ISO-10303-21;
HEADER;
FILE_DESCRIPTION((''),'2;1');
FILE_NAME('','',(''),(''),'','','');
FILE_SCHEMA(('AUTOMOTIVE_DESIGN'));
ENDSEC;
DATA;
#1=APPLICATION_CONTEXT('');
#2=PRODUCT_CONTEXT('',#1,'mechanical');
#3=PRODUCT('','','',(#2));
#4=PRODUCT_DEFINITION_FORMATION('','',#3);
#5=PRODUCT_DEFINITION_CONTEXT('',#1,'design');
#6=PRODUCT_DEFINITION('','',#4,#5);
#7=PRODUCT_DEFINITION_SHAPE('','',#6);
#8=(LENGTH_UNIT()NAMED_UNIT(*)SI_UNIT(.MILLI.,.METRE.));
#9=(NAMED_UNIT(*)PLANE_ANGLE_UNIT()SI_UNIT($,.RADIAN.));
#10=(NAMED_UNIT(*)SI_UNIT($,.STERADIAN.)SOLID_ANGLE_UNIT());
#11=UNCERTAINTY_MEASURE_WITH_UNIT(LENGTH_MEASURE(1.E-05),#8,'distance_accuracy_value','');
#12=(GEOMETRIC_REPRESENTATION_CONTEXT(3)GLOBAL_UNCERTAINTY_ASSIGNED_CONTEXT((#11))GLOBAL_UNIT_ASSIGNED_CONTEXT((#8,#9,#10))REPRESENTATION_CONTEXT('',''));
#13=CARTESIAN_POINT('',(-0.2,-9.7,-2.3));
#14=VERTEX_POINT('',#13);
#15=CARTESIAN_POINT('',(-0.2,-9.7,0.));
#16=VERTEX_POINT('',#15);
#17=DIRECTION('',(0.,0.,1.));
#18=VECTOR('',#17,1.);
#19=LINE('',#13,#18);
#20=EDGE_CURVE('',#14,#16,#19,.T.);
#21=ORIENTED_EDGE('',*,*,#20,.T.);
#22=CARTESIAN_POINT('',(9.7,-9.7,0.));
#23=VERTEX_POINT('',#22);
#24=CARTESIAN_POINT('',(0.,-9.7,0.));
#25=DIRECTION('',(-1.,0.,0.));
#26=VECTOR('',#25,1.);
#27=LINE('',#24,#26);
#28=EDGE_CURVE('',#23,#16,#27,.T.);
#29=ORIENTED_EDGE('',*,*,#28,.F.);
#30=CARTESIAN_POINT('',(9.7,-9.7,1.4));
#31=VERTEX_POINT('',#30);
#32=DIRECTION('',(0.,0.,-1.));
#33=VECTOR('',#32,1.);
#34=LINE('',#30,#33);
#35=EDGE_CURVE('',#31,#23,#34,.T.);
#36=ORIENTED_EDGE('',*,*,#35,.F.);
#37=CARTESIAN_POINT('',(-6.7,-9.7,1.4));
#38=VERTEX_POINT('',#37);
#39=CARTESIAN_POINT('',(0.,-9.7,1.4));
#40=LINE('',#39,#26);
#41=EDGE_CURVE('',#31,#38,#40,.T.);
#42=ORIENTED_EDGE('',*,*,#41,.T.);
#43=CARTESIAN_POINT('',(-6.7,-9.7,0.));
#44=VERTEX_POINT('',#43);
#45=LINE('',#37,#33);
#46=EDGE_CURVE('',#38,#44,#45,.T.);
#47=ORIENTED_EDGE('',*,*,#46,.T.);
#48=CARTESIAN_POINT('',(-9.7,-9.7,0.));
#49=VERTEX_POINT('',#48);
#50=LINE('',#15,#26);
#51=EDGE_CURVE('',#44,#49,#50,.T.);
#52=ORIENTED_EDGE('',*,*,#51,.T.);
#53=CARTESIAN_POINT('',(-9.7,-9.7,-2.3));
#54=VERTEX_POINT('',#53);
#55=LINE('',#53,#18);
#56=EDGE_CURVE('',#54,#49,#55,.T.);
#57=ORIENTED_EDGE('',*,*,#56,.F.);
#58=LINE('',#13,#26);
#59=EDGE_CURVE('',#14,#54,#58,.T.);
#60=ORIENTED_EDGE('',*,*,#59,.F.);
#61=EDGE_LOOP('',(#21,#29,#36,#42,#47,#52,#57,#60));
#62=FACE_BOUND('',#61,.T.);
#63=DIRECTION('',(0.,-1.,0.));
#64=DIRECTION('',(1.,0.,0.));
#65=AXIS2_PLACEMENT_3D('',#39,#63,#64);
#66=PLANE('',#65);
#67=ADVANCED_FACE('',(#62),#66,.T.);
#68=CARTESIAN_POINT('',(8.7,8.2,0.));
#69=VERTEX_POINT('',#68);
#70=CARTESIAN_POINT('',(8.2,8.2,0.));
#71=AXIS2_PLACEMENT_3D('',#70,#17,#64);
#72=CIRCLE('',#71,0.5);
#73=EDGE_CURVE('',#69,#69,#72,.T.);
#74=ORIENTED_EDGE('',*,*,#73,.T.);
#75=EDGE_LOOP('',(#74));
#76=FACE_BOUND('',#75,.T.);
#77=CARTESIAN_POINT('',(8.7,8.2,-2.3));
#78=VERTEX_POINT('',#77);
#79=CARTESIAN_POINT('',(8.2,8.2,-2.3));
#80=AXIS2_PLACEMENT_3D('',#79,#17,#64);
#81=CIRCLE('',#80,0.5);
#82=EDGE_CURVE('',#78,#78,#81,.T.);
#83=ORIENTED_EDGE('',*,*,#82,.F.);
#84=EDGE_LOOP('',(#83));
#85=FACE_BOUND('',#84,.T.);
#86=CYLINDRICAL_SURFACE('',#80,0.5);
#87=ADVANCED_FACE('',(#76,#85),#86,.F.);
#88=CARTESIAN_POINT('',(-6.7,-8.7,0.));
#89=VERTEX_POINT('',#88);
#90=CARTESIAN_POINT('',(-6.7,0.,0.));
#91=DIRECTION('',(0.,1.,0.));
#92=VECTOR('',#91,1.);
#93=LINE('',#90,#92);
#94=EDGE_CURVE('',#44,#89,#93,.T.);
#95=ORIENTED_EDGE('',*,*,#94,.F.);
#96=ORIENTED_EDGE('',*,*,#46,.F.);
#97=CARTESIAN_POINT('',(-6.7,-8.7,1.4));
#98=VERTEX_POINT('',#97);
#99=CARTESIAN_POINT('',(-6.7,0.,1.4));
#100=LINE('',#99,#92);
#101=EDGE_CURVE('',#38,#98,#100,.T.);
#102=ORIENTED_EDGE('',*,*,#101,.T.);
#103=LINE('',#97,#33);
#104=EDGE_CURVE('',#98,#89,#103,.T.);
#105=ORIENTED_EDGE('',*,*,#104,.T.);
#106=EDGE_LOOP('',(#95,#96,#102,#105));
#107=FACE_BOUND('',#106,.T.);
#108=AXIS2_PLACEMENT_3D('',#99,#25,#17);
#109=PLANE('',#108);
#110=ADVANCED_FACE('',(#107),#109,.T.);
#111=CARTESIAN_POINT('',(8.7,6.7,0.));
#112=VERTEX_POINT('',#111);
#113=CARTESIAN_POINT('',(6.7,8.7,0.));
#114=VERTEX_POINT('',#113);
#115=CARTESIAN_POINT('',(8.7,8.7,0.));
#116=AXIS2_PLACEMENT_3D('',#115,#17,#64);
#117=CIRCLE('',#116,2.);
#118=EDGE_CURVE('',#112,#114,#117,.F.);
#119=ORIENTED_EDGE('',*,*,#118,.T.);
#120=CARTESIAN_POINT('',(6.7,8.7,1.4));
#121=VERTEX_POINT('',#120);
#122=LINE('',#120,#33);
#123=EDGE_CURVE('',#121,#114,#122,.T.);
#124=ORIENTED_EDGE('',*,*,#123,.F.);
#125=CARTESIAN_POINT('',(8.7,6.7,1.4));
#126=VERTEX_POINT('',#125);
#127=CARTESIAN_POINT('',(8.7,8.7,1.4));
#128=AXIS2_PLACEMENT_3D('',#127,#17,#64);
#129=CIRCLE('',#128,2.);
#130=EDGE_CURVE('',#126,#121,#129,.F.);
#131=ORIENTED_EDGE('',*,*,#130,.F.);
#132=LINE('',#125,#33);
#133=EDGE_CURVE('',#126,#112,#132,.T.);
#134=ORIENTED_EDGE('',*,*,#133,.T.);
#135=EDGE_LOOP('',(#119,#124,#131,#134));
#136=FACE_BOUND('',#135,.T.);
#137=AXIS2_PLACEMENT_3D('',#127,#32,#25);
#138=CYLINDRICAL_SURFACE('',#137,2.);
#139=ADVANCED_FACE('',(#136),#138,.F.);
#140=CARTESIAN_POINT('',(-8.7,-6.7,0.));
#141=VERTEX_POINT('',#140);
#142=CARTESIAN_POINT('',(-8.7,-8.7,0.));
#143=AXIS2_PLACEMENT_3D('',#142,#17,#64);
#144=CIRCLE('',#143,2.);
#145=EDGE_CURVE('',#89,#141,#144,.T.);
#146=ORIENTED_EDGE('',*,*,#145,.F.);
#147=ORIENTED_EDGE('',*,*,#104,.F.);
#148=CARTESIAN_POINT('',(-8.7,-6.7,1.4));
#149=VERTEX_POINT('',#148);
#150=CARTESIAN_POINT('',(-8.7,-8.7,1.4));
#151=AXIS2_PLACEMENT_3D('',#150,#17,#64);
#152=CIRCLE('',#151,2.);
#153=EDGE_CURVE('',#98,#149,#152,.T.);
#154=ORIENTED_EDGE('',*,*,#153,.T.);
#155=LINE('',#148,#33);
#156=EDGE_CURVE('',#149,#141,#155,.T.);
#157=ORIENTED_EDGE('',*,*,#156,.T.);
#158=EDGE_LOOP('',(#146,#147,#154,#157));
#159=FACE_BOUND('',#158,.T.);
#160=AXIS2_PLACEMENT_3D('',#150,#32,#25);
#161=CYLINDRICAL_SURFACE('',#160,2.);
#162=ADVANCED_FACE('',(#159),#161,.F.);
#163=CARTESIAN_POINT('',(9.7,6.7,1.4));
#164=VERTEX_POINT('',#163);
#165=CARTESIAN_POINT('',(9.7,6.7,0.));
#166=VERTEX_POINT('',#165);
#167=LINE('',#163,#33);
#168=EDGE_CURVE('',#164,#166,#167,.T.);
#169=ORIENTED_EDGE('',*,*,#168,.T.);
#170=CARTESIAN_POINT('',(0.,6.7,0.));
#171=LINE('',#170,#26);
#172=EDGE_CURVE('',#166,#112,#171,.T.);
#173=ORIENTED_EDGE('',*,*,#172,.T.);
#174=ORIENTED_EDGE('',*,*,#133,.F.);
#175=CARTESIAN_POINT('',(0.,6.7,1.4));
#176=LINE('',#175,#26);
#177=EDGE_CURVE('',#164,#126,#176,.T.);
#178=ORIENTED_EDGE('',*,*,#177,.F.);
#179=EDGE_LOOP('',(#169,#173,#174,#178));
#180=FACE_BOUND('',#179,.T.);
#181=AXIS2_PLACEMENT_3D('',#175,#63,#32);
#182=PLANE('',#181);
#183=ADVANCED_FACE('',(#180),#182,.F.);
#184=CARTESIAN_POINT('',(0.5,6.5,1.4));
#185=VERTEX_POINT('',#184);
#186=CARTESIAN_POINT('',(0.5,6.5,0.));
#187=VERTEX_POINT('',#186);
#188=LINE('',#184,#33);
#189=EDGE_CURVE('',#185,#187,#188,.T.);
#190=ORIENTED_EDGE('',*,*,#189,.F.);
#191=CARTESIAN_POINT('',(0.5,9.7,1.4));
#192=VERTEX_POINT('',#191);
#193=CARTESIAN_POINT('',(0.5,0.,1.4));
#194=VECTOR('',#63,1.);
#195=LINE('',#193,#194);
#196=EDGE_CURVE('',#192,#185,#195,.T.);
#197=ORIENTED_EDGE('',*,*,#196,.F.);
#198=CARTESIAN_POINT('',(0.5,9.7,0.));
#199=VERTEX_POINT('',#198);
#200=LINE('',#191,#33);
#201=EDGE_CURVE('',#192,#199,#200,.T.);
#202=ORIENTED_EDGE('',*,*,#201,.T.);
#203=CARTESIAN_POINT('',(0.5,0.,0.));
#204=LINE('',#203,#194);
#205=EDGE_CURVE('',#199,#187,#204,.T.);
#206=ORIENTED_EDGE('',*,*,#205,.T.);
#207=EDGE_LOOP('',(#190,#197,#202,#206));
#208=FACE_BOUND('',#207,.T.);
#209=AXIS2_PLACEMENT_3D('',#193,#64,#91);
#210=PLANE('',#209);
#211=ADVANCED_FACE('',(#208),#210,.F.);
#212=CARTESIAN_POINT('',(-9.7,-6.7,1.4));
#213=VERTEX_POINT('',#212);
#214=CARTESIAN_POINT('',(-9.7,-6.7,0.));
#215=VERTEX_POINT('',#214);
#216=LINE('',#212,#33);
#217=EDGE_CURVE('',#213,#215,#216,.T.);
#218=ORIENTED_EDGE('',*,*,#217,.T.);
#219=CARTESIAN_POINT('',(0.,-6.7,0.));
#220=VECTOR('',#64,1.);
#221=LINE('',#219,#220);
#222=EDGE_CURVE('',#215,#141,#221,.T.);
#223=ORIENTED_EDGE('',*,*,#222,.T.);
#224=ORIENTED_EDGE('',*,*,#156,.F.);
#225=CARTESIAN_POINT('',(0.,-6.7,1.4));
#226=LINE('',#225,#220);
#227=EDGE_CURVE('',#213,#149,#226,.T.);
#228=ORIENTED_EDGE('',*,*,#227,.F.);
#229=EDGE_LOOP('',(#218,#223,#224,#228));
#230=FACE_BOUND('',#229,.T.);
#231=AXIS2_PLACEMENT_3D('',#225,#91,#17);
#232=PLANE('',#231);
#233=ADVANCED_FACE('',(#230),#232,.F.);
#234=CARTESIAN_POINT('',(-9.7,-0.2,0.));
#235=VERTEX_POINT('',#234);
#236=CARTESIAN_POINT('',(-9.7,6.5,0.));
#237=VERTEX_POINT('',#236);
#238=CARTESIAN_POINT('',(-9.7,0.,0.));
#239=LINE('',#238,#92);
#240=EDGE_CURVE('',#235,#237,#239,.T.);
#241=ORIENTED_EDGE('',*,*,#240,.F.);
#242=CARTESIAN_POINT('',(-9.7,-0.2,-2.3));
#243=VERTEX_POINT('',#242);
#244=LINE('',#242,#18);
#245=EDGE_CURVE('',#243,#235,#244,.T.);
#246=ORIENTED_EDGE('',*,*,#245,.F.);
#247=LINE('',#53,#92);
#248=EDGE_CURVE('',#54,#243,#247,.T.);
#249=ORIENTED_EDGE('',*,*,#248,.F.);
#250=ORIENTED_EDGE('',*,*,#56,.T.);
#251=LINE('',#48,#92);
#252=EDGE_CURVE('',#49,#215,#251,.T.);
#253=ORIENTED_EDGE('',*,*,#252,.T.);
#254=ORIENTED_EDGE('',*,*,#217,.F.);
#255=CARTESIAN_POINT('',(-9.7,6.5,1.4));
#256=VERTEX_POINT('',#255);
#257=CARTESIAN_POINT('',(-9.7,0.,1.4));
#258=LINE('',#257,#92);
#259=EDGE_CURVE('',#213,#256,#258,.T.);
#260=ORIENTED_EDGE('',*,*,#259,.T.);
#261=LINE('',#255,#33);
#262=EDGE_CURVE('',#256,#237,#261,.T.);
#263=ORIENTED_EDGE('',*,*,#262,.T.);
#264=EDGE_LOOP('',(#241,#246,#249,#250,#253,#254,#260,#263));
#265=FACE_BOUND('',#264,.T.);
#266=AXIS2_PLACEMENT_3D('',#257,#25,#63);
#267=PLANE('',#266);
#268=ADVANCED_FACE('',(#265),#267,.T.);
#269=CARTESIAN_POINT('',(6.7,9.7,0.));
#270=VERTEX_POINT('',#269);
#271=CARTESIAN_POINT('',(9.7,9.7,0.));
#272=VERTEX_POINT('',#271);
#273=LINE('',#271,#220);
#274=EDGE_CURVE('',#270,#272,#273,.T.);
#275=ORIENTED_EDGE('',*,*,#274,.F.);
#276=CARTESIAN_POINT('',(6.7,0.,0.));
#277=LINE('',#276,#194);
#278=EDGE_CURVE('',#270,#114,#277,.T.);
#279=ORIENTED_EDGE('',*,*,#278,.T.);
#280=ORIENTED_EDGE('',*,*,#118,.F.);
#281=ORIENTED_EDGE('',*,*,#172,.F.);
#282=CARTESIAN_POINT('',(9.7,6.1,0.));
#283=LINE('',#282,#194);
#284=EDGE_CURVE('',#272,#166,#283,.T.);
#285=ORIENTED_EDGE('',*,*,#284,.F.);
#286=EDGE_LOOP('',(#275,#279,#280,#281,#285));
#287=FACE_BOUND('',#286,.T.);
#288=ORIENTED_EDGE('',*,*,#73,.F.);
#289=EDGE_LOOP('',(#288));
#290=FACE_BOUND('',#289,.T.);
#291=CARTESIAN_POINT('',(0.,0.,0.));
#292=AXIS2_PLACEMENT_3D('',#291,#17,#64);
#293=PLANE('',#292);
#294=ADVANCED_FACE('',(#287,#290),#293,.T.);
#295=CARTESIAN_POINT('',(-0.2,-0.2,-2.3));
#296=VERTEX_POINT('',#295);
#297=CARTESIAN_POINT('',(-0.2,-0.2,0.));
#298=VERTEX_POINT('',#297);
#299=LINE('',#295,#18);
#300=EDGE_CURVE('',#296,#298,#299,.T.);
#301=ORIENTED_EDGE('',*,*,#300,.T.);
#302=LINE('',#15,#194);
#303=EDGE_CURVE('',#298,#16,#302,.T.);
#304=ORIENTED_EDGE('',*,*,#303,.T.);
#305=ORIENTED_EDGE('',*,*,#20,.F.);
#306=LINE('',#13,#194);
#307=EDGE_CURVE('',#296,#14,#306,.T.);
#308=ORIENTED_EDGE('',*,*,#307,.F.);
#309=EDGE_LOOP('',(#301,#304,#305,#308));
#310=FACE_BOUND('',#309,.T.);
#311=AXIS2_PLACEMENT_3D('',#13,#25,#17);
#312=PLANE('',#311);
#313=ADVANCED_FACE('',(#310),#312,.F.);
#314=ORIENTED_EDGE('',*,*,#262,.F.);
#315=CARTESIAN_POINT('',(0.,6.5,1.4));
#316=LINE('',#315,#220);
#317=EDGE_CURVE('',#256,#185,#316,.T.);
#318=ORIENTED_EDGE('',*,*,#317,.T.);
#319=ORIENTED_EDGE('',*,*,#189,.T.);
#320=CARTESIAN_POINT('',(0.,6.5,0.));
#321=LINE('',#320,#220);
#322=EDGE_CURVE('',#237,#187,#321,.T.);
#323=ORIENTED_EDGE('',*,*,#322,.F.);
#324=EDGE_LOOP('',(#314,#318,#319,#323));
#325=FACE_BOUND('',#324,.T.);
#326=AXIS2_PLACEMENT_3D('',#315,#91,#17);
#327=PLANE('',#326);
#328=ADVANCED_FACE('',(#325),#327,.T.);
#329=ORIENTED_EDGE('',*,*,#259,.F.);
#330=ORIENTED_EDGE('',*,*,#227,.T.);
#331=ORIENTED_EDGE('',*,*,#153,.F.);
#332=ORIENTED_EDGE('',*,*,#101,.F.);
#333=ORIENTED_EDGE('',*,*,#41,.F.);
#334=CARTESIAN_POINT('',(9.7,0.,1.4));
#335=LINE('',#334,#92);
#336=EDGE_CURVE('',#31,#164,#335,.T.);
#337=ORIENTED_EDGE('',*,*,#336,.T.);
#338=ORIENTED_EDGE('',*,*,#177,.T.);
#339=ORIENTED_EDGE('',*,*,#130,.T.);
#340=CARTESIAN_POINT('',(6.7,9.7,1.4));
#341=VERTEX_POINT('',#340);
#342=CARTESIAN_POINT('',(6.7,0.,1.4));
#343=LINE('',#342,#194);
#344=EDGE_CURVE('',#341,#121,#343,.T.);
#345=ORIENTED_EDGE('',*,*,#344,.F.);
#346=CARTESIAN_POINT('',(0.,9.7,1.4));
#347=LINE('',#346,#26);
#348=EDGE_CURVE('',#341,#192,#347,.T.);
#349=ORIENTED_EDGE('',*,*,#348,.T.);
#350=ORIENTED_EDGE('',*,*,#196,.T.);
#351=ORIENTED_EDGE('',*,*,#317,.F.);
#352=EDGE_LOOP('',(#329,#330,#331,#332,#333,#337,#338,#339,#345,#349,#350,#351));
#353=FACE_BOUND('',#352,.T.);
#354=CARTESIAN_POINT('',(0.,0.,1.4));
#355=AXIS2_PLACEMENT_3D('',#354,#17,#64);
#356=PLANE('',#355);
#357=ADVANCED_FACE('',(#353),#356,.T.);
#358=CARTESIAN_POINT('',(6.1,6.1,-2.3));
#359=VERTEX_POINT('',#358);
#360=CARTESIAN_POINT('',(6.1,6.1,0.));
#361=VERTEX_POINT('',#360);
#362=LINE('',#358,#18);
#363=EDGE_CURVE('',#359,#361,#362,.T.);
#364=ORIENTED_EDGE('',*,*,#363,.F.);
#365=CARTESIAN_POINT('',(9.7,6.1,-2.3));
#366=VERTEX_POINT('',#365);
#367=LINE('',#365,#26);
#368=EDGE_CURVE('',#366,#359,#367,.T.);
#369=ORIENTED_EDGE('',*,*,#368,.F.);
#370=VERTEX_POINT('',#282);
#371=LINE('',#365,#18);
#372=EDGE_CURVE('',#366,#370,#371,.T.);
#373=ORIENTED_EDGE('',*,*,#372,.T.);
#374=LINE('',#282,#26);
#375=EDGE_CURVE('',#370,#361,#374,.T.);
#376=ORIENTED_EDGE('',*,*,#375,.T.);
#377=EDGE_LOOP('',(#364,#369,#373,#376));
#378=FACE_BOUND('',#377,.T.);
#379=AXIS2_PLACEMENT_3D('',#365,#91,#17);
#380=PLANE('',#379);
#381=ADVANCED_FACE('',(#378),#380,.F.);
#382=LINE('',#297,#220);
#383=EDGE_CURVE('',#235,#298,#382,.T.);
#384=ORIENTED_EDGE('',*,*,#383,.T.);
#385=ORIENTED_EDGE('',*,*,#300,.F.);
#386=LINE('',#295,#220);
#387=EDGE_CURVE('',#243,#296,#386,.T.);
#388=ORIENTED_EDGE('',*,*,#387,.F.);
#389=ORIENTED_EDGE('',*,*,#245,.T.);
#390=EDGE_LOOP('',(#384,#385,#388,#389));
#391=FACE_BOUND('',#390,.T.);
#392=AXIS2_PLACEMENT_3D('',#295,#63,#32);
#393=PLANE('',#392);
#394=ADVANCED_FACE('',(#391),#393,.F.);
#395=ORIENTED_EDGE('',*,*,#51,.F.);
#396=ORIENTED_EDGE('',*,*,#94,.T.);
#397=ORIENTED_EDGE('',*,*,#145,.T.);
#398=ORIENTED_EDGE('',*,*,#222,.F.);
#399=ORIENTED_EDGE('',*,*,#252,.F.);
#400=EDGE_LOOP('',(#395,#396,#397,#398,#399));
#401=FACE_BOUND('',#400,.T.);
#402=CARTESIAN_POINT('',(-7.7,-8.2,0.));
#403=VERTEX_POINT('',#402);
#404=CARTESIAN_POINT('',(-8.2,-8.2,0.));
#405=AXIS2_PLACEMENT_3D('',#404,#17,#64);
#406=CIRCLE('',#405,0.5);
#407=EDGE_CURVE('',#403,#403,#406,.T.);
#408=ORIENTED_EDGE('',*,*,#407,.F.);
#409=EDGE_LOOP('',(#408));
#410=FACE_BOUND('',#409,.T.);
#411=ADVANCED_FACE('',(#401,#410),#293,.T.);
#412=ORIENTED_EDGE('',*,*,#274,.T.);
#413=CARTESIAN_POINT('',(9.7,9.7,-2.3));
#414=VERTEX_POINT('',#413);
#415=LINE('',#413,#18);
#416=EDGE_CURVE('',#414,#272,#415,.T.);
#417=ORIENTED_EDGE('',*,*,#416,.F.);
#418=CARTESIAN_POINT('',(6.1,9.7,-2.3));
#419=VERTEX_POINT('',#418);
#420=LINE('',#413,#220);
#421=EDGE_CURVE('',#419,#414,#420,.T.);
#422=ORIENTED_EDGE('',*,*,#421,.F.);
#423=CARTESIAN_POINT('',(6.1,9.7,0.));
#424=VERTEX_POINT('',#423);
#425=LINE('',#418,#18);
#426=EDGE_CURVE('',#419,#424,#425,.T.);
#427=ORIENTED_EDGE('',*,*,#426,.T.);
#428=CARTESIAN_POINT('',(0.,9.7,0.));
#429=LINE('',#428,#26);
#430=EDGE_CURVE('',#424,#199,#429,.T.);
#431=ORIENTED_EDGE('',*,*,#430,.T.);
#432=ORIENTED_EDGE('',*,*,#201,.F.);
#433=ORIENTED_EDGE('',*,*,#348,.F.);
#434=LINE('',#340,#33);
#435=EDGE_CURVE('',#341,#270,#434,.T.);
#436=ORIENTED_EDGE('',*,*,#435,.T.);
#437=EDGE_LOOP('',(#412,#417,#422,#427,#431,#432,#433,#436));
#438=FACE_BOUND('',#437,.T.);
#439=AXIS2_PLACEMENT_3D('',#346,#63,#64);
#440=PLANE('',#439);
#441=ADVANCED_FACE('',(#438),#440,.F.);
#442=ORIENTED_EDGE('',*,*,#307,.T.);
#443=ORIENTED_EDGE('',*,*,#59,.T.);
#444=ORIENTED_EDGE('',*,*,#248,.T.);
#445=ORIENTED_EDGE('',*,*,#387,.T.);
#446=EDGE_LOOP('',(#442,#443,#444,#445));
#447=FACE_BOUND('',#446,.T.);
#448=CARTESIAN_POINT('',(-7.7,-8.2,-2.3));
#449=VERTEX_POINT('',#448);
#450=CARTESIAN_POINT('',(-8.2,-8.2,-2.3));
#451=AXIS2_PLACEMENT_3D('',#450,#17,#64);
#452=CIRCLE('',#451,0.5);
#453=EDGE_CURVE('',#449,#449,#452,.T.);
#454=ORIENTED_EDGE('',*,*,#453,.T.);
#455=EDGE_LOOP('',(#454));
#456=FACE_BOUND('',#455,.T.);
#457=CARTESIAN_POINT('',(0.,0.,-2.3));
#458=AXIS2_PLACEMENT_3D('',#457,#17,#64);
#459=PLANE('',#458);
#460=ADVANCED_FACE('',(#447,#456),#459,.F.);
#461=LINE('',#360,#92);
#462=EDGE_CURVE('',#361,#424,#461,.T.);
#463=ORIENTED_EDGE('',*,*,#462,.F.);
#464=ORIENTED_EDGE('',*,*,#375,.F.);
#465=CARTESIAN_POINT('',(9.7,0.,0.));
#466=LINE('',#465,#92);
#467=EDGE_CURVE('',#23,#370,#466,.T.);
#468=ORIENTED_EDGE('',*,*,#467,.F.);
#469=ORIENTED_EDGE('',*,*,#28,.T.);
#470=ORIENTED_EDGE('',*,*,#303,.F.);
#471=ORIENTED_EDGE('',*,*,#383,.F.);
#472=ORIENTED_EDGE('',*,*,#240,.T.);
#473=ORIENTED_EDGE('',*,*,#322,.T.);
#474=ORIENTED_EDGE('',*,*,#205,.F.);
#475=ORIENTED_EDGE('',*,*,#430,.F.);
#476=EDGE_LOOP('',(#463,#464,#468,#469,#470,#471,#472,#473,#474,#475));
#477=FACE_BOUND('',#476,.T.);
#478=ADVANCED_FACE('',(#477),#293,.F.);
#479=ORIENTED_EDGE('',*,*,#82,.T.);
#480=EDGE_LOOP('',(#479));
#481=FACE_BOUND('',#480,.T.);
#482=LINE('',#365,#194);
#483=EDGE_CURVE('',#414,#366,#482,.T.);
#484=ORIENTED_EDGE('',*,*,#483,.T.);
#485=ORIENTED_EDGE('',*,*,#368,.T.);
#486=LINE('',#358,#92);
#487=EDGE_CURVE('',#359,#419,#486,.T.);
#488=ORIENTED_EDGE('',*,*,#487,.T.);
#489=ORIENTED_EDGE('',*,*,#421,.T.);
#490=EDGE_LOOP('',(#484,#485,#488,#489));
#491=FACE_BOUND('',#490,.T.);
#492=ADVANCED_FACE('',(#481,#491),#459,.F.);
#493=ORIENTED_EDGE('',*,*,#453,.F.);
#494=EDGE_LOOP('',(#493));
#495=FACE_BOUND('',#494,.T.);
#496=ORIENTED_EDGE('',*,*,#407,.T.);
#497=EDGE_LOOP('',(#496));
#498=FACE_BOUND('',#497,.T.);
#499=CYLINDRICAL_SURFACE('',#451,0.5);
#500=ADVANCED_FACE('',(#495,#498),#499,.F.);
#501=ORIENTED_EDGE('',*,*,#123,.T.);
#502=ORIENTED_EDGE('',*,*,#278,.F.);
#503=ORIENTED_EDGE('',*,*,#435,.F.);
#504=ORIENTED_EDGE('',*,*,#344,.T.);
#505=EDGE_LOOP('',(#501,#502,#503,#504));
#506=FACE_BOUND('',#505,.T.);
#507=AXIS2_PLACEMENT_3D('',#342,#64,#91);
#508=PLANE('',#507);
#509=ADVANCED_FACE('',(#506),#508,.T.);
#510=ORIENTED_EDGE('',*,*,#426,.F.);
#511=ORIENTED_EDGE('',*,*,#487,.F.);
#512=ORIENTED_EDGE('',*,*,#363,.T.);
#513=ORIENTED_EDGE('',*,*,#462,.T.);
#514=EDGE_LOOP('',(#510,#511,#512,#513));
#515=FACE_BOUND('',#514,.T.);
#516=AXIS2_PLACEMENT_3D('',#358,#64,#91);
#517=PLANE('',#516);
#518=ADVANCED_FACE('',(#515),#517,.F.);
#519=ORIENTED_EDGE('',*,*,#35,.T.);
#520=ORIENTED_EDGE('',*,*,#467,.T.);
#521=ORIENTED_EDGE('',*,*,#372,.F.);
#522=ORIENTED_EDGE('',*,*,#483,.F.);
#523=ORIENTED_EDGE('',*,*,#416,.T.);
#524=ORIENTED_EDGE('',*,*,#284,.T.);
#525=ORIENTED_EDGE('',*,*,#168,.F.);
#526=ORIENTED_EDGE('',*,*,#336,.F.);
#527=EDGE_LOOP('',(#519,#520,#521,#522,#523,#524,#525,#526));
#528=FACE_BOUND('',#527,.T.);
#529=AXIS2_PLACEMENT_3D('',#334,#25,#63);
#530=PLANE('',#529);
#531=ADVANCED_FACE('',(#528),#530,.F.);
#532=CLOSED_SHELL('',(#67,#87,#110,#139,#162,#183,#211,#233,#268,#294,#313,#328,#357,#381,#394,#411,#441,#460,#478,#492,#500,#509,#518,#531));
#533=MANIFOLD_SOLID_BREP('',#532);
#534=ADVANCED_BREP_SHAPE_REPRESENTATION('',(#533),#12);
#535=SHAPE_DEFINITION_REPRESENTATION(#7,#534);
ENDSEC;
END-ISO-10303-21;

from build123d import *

# Parameters (mm, degrees)
BOSS_EXTRUDE2_DEPTH     = 1.4
SKETCH2_W               = 3.6
SKETCH2_H               = 3.6
SKETCH2_W_2             = 9.5
SKETCH2_H_2             = 9.5
BOSS_EXTRUDE3_DEPTH     = 2.3
CUT_EXTRUDE1_DEPTH      = 14.909349374
CUT_EXTRUDE1_DEPTH_BACK = 14.909349374
SKETCH4_R               = 0.5


with BuildPart() as part:
    # Sketch1 → Boss-Extrude2 (new body)
    with BuildSketch(Plane.XY):
        with BuildLine():
            Line((-6.7, -9.7), (9.7, -9.7))
            Line((9.7, -9.7), (9.7, 6.7))
            Line((9.7, 6.7), (8.7, 6.7))
            ThreePointArc((8.7, 6.7), (7.285786438, 7.285786438), (6.7, 8.7))
            Line((6.7, 8.7), (6.7, 9.7))
            Line((6.7, 9.7), (0.5, 9.7))
            Line((0.5, 9.7), (0.5, 6.5))
            Line((0.5, 6.5), (-9.7, 6.5))
            Line((-9.7, 6.5), (-9.7, -6.7))
            Line((-9.7, -6.7), (-8.7, -6.7))
            ThreePointArc((-8.7, -6.7), (-7.285786438, -7.285786438), (-6.7, -8.7))
            Line((-6.7, -8.7), (-6.7, -9.7))
        make_face()
    extrude(amount=BOSS_EXTRUDE2_DEPTH)

    # Sketch2 → Boss-Extrude3 (add)
    with BuildSketch(Plane(origin=(0, 0, 0), x_dir=(-1, 0, 0), z_dir=(0, 0, -1))):
        with Locations((-7.9, 7.9)):
            Rectangle(SKETCH2_W, SKETCH2_H)
        with Locations((4.95, -4.95)):
            Rectangle(SKETCH2_W_2, SKETCH2_H_2)
    extrude(amount=BOSS_EXTRUDE3_DEPTH)

    # Sketch4 → Cut-Extrude1 (cut, two sides: drawn at the far end of the back side and taken through both)
    with BuildSketch(Plane.XY.offset(-CUT_EXTRUDE1_DEPTH_BACK)):
        with Locations((8.2, 8.2)):
            Circle(SKETCH4_R)
        with Locations((-8.2, -8.2)):
            Circle(SKETCH4_R)
    extrude(amount=CUT_EXTRUDE1_DEPTH + CUT_EXTRUDE1_DEPTH_BACK, mode=Mode.SUBTRACT)


solid = part.part
